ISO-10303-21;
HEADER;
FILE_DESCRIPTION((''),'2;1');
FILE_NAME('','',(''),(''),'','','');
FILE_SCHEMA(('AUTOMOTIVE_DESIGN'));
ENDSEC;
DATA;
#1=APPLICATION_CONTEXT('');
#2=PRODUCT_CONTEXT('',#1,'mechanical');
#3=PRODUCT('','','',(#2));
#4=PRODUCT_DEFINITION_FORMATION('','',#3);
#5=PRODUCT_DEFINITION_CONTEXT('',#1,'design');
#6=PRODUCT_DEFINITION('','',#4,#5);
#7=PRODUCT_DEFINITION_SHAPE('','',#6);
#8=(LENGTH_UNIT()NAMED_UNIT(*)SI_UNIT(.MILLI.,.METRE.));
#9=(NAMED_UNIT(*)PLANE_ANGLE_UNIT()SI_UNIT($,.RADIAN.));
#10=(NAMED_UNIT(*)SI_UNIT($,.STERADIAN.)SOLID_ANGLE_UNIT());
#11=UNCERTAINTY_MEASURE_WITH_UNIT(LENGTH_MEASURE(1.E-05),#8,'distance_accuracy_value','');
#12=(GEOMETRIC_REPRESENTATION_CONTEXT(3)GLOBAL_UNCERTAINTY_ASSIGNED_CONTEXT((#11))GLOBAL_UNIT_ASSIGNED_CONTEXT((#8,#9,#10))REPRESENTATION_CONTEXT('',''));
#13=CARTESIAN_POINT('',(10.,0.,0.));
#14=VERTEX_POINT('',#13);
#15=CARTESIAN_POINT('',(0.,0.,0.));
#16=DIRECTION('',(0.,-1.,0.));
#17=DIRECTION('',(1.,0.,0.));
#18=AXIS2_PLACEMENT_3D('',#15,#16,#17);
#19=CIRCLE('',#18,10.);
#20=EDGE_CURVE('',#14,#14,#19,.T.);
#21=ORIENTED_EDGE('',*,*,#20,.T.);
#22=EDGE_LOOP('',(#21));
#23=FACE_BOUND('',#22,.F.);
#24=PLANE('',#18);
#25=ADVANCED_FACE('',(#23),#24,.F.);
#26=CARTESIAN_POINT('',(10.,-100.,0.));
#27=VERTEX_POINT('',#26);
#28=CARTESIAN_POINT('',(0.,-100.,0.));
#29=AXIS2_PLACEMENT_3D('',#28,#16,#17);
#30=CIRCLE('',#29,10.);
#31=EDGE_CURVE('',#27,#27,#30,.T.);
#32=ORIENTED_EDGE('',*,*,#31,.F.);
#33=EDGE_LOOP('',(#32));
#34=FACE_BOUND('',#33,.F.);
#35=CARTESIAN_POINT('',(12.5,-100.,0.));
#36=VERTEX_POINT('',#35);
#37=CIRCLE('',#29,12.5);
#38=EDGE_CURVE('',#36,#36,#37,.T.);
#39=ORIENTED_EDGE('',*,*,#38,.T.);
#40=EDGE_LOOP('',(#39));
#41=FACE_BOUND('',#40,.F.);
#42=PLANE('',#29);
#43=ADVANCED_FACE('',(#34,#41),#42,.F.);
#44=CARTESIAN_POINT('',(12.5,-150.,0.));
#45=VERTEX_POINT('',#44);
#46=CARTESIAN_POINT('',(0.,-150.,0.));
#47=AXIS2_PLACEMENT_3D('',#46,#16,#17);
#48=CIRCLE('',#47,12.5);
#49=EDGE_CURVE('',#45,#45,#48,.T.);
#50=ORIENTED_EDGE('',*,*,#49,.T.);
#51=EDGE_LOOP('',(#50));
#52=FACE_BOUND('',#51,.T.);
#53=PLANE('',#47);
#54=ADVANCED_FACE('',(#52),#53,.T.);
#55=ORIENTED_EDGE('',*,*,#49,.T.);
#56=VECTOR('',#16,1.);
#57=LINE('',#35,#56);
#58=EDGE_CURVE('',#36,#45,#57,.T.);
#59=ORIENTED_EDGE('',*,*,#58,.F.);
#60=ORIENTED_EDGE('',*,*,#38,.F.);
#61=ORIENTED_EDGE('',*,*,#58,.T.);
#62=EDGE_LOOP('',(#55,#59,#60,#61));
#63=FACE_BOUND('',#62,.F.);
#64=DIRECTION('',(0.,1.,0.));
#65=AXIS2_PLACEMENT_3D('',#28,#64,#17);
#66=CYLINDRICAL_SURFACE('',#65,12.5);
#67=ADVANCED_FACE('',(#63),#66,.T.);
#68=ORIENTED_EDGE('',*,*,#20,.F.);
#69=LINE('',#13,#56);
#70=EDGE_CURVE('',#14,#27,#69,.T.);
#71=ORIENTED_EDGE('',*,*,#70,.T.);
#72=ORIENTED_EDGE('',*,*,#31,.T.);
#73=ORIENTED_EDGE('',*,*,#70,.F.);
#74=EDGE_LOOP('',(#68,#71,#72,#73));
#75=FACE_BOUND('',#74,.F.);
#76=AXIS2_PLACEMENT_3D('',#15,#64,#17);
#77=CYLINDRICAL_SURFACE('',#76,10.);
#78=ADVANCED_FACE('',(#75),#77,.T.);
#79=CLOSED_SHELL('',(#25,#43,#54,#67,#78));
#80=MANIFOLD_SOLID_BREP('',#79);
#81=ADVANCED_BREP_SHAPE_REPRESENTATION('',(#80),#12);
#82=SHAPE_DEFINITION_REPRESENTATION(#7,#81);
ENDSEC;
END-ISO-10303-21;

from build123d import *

# Parameters (mm, degrees)
F0_R     = 10
F1_DEPTH = 100
F2_R     = 12.5
F2_R_2   = 10
F3_DEPTH = 50


with BuildPart() as f1:
    # F0 (on Front) → F1 (new body)
    with BuildSketch(Plane.XZ):
        Circle(F0_R)
    extrude(amount=F1_DEPTH)

    # F2 (on face) → F3 (join)
    with BuildSketch(Plane.XZ.offset(100)):
        Circle(F2_R)
        Circle(F2_R_2, mode=Mode.SUBTRACT)
        Circle(F2_R_2)
    extrude(amount=F3_DEPTH)


solid = f1.part
